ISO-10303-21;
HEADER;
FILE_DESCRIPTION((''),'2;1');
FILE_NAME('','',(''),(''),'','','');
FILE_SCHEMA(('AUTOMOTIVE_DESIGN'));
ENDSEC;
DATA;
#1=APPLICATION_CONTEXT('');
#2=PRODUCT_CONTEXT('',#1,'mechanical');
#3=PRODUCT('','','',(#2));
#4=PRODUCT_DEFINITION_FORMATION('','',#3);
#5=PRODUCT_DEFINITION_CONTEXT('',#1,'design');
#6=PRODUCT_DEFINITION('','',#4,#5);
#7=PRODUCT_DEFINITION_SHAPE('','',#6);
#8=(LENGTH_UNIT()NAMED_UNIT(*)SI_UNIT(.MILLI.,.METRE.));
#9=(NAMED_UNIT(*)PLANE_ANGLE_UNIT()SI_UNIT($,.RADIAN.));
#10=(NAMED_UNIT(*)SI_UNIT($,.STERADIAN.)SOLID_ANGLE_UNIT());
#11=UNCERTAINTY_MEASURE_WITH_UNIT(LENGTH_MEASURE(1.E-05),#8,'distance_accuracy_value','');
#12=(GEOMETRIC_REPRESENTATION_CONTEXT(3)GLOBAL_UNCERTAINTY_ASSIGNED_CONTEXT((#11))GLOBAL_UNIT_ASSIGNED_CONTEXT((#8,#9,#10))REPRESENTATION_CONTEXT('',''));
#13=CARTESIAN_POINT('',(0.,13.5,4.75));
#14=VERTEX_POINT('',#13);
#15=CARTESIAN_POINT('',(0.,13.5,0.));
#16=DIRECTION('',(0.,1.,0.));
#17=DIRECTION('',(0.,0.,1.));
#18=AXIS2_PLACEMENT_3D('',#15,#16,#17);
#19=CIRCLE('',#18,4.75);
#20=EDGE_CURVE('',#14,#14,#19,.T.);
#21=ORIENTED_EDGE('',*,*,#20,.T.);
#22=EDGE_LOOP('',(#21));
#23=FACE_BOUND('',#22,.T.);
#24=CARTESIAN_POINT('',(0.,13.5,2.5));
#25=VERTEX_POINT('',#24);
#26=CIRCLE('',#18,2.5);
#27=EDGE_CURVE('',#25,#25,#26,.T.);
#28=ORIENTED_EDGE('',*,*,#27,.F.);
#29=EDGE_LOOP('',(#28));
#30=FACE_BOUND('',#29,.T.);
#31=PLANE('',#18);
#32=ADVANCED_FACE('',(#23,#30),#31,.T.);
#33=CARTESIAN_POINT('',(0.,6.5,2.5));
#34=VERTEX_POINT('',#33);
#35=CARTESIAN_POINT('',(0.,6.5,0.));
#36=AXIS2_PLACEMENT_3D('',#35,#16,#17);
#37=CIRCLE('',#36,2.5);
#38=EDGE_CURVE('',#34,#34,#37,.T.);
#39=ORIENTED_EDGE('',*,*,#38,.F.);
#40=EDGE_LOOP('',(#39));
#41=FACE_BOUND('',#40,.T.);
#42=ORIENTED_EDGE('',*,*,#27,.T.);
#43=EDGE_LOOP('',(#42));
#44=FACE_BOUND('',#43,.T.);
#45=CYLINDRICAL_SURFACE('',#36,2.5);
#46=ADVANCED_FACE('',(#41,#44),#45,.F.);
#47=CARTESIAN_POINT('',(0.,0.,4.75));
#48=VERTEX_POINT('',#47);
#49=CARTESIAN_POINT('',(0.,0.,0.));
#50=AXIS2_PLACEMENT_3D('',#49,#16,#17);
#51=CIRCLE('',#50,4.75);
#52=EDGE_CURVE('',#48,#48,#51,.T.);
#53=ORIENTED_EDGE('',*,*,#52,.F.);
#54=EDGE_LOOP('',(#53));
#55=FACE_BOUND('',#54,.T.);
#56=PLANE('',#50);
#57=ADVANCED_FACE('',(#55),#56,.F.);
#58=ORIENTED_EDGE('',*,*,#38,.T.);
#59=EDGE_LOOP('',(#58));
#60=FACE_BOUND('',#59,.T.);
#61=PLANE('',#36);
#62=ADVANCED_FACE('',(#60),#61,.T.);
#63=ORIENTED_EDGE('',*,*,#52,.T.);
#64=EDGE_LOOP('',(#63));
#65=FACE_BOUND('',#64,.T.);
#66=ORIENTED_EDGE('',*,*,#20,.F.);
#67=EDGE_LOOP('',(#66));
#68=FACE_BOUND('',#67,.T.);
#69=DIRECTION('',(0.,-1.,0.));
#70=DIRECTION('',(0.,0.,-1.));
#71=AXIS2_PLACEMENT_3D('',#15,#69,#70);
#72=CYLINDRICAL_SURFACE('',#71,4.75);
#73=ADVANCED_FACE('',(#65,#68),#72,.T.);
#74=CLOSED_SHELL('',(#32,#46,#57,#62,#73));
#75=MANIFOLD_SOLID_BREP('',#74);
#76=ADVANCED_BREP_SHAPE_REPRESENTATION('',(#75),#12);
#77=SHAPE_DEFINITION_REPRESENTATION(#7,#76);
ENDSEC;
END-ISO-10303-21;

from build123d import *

# Parameters (mm, degrees)
SKETCH1_R           = 4.75
BOSS_EXTRUDE1_DEPTH = 13.5
SKETCH2_R           = 2.5
CUT_EXTRUDE1_DEPTH  = 7


with BuildPart() as part:
    # Sketch1 → Boss-Extrude1 (new body)
    with BuildSketch(Plane(origin=(0, 0, 0), x_dir=(1, 0, 0), z_dir=(0, 1, 0))):
        Circle(SKETCH1_R)
    extrude(amount=BOSS_EXTRUDE1_DEPTH)

    # Sketch2 → Cut-Extrude1 (cut)
    with BuildSketch(Plane(origin=(0, 13.5, 0), x_dir=(1, 0, 0), z_dir=(0, 1, 0))):
        Circle(SKETCH2_R)
    extrude(amount=-CUT_EXTRUDE1_DEPTH, mode=Mode.SUBTRACT)


solid = part.part
